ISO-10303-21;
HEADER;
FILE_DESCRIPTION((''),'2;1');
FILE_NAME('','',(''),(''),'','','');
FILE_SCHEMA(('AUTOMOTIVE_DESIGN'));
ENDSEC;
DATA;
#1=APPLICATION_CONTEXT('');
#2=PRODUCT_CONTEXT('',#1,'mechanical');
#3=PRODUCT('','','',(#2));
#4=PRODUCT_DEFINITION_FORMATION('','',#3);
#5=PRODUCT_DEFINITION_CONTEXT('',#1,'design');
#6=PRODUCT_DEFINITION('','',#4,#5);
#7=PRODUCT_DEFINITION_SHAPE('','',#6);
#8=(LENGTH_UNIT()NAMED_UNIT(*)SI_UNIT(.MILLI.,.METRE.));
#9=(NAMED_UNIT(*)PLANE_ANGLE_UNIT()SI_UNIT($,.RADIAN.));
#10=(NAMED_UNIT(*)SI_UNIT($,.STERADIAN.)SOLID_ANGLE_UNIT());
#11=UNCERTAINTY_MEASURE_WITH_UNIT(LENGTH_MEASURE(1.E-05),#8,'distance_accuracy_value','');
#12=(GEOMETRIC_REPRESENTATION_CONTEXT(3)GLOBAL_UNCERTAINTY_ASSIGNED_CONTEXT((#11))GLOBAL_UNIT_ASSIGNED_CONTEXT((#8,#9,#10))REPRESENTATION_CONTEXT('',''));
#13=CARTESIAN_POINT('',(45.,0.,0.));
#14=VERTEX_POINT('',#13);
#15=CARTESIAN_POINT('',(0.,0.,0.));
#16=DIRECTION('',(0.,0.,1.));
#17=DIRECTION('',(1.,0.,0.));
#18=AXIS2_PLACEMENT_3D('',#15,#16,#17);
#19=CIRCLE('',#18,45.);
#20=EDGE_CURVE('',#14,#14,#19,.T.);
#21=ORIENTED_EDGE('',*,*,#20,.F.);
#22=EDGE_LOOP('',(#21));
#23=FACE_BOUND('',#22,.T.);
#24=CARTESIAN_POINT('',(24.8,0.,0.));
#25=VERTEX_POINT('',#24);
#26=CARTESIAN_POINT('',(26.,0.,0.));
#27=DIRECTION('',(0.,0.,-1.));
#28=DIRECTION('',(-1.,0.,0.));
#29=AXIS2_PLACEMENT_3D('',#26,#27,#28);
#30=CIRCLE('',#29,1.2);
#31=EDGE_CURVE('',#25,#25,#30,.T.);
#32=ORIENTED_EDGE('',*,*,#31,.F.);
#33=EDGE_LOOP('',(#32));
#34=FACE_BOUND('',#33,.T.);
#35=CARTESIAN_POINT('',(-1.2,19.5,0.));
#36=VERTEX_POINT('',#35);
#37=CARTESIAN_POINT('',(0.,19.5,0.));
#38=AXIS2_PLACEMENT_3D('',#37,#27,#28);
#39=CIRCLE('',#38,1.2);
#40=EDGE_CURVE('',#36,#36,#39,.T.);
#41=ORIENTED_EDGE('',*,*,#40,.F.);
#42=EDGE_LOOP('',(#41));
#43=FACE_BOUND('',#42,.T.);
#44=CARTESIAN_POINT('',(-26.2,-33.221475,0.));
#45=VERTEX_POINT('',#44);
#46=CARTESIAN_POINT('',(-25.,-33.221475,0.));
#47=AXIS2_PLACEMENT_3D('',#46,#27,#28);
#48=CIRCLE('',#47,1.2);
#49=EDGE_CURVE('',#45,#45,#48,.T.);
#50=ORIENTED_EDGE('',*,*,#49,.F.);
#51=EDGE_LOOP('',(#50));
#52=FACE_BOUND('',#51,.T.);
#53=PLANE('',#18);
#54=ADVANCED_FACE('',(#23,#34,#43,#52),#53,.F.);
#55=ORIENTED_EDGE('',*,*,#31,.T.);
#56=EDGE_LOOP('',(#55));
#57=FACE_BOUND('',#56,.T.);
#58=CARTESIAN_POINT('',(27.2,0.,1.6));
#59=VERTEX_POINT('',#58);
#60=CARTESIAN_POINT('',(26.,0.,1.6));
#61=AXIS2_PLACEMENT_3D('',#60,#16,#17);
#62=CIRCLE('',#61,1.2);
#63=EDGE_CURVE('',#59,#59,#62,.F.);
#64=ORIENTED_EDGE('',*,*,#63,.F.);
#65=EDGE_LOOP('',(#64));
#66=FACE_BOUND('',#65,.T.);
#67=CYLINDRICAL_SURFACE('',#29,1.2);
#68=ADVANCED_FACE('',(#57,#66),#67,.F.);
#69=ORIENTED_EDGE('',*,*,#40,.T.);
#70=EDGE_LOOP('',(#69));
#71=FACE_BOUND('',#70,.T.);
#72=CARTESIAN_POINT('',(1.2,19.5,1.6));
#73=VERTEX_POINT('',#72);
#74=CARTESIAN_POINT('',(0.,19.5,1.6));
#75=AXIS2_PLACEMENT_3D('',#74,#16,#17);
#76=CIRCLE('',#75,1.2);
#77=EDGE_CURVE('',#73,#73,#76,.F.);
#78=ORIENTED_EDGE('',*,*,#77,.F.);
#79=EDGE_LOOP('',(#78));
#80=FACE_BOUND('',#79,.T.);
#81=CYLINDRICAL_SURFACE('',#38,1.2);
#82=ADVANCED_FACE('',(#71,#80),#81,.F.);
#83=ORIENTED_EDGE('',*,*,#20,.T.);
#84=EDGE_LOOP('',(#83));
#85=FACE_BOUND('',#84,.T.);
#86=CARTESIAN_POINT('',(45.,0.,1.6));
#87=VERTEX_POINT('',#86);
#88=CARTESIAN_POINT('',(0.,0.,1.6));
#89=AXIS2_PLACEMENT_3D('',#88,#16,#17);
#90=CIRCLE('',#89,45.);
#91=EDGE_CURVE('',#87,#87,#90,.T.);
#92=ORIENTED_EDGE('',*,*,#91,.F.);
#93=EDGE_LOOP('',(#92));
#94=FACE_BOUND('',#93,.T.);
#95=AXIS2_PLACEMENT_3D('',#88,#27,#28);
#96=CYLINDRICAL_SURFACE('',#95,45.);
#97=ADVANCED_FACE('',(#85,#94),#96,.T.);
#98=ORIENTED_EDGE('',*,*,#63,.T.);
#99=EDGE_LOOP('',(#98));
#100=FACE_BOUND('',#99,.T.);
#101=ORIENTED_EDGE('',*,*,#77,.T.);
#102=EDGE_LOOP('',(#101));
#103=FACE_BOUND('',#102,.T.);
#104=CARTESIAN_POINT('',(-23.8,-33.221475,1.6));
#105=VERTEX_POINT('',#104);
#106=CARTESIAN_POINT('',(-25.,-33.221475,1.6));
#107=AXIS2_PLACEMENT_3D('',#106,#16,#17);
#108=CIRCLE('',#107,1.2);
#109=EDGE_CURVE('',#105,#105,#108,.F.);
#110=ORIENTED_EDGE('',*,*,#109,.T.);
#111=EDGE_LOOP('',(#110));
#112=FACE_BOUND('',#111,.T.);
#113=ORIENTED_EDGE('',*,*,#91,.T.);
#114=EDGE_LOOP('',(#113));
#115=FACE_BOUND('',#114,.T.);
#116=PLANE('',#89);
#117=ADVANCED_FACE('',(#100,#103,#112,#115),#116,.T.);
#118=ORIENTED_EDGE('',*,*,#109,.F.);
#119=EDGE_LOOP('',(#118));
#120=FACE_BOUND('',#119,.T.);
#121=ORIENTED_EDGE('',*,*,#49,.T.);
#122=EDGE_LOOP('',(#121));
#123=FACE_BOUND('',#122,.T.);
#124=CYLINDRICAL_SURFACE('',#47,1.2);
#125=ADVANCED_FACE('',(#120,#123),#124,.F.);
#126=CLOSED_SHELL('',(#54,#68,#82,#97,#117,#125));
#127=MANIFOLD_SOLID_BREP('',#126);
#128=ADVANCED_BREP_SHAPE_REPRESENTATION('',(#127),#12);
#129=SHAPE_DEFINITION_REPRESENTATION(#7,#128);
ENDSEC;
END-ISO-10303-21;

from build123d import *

# Parameters (mm, degrees)
SKETCH5_R                = 45
BOSS_EXTRUDE2_DEPTH      = 1.6
M2_CLEARANCE_HOLE2_D     = 2.4
M2_CLEARANCE_HOLE2_DEPTH = 1.6
M2_CLEARANCE_HOLE2_TIP   = 0.721032743


with BuildPart() as part:
    # Sketch5 → Boss-Extrude2 (new body)
    with BuildSketch(Plane(origin=(0, 0, 0), x_dir=(0, 1, 0), z_dir=(0, 0, 1))):
        with Locations(Location((0, 0, 0), (0, 0, 270))):
            Circle(SKETCH5_R)
    extrude(amount=BOSS_EXTRUDE2_DEPTH)

    # M2 Clearance Hole2
    with Locations(Plane.YX):
        with Locations((-33.221475067, -25), (-42, 26), (0, 26), (19.5, 0)):
            Hole(M2_CLEARANCE_HOLE2_D / 2, depth=M2_CLEARANCE_HOLE2_DEPTH)
            with Locations((0, 0, -(M2_CLEARANCE_HOLE2_DEPTH + M2_CLEARANCE_HOLE2_TIP / 2))):  # 118° drill point
                Cone(0, M2_CLEARANCE_HOLE2_D / 2, M2_CLEARANCE_HOLE2_TIP, mode=Mode.SUBTRACT)


solid = part.part
